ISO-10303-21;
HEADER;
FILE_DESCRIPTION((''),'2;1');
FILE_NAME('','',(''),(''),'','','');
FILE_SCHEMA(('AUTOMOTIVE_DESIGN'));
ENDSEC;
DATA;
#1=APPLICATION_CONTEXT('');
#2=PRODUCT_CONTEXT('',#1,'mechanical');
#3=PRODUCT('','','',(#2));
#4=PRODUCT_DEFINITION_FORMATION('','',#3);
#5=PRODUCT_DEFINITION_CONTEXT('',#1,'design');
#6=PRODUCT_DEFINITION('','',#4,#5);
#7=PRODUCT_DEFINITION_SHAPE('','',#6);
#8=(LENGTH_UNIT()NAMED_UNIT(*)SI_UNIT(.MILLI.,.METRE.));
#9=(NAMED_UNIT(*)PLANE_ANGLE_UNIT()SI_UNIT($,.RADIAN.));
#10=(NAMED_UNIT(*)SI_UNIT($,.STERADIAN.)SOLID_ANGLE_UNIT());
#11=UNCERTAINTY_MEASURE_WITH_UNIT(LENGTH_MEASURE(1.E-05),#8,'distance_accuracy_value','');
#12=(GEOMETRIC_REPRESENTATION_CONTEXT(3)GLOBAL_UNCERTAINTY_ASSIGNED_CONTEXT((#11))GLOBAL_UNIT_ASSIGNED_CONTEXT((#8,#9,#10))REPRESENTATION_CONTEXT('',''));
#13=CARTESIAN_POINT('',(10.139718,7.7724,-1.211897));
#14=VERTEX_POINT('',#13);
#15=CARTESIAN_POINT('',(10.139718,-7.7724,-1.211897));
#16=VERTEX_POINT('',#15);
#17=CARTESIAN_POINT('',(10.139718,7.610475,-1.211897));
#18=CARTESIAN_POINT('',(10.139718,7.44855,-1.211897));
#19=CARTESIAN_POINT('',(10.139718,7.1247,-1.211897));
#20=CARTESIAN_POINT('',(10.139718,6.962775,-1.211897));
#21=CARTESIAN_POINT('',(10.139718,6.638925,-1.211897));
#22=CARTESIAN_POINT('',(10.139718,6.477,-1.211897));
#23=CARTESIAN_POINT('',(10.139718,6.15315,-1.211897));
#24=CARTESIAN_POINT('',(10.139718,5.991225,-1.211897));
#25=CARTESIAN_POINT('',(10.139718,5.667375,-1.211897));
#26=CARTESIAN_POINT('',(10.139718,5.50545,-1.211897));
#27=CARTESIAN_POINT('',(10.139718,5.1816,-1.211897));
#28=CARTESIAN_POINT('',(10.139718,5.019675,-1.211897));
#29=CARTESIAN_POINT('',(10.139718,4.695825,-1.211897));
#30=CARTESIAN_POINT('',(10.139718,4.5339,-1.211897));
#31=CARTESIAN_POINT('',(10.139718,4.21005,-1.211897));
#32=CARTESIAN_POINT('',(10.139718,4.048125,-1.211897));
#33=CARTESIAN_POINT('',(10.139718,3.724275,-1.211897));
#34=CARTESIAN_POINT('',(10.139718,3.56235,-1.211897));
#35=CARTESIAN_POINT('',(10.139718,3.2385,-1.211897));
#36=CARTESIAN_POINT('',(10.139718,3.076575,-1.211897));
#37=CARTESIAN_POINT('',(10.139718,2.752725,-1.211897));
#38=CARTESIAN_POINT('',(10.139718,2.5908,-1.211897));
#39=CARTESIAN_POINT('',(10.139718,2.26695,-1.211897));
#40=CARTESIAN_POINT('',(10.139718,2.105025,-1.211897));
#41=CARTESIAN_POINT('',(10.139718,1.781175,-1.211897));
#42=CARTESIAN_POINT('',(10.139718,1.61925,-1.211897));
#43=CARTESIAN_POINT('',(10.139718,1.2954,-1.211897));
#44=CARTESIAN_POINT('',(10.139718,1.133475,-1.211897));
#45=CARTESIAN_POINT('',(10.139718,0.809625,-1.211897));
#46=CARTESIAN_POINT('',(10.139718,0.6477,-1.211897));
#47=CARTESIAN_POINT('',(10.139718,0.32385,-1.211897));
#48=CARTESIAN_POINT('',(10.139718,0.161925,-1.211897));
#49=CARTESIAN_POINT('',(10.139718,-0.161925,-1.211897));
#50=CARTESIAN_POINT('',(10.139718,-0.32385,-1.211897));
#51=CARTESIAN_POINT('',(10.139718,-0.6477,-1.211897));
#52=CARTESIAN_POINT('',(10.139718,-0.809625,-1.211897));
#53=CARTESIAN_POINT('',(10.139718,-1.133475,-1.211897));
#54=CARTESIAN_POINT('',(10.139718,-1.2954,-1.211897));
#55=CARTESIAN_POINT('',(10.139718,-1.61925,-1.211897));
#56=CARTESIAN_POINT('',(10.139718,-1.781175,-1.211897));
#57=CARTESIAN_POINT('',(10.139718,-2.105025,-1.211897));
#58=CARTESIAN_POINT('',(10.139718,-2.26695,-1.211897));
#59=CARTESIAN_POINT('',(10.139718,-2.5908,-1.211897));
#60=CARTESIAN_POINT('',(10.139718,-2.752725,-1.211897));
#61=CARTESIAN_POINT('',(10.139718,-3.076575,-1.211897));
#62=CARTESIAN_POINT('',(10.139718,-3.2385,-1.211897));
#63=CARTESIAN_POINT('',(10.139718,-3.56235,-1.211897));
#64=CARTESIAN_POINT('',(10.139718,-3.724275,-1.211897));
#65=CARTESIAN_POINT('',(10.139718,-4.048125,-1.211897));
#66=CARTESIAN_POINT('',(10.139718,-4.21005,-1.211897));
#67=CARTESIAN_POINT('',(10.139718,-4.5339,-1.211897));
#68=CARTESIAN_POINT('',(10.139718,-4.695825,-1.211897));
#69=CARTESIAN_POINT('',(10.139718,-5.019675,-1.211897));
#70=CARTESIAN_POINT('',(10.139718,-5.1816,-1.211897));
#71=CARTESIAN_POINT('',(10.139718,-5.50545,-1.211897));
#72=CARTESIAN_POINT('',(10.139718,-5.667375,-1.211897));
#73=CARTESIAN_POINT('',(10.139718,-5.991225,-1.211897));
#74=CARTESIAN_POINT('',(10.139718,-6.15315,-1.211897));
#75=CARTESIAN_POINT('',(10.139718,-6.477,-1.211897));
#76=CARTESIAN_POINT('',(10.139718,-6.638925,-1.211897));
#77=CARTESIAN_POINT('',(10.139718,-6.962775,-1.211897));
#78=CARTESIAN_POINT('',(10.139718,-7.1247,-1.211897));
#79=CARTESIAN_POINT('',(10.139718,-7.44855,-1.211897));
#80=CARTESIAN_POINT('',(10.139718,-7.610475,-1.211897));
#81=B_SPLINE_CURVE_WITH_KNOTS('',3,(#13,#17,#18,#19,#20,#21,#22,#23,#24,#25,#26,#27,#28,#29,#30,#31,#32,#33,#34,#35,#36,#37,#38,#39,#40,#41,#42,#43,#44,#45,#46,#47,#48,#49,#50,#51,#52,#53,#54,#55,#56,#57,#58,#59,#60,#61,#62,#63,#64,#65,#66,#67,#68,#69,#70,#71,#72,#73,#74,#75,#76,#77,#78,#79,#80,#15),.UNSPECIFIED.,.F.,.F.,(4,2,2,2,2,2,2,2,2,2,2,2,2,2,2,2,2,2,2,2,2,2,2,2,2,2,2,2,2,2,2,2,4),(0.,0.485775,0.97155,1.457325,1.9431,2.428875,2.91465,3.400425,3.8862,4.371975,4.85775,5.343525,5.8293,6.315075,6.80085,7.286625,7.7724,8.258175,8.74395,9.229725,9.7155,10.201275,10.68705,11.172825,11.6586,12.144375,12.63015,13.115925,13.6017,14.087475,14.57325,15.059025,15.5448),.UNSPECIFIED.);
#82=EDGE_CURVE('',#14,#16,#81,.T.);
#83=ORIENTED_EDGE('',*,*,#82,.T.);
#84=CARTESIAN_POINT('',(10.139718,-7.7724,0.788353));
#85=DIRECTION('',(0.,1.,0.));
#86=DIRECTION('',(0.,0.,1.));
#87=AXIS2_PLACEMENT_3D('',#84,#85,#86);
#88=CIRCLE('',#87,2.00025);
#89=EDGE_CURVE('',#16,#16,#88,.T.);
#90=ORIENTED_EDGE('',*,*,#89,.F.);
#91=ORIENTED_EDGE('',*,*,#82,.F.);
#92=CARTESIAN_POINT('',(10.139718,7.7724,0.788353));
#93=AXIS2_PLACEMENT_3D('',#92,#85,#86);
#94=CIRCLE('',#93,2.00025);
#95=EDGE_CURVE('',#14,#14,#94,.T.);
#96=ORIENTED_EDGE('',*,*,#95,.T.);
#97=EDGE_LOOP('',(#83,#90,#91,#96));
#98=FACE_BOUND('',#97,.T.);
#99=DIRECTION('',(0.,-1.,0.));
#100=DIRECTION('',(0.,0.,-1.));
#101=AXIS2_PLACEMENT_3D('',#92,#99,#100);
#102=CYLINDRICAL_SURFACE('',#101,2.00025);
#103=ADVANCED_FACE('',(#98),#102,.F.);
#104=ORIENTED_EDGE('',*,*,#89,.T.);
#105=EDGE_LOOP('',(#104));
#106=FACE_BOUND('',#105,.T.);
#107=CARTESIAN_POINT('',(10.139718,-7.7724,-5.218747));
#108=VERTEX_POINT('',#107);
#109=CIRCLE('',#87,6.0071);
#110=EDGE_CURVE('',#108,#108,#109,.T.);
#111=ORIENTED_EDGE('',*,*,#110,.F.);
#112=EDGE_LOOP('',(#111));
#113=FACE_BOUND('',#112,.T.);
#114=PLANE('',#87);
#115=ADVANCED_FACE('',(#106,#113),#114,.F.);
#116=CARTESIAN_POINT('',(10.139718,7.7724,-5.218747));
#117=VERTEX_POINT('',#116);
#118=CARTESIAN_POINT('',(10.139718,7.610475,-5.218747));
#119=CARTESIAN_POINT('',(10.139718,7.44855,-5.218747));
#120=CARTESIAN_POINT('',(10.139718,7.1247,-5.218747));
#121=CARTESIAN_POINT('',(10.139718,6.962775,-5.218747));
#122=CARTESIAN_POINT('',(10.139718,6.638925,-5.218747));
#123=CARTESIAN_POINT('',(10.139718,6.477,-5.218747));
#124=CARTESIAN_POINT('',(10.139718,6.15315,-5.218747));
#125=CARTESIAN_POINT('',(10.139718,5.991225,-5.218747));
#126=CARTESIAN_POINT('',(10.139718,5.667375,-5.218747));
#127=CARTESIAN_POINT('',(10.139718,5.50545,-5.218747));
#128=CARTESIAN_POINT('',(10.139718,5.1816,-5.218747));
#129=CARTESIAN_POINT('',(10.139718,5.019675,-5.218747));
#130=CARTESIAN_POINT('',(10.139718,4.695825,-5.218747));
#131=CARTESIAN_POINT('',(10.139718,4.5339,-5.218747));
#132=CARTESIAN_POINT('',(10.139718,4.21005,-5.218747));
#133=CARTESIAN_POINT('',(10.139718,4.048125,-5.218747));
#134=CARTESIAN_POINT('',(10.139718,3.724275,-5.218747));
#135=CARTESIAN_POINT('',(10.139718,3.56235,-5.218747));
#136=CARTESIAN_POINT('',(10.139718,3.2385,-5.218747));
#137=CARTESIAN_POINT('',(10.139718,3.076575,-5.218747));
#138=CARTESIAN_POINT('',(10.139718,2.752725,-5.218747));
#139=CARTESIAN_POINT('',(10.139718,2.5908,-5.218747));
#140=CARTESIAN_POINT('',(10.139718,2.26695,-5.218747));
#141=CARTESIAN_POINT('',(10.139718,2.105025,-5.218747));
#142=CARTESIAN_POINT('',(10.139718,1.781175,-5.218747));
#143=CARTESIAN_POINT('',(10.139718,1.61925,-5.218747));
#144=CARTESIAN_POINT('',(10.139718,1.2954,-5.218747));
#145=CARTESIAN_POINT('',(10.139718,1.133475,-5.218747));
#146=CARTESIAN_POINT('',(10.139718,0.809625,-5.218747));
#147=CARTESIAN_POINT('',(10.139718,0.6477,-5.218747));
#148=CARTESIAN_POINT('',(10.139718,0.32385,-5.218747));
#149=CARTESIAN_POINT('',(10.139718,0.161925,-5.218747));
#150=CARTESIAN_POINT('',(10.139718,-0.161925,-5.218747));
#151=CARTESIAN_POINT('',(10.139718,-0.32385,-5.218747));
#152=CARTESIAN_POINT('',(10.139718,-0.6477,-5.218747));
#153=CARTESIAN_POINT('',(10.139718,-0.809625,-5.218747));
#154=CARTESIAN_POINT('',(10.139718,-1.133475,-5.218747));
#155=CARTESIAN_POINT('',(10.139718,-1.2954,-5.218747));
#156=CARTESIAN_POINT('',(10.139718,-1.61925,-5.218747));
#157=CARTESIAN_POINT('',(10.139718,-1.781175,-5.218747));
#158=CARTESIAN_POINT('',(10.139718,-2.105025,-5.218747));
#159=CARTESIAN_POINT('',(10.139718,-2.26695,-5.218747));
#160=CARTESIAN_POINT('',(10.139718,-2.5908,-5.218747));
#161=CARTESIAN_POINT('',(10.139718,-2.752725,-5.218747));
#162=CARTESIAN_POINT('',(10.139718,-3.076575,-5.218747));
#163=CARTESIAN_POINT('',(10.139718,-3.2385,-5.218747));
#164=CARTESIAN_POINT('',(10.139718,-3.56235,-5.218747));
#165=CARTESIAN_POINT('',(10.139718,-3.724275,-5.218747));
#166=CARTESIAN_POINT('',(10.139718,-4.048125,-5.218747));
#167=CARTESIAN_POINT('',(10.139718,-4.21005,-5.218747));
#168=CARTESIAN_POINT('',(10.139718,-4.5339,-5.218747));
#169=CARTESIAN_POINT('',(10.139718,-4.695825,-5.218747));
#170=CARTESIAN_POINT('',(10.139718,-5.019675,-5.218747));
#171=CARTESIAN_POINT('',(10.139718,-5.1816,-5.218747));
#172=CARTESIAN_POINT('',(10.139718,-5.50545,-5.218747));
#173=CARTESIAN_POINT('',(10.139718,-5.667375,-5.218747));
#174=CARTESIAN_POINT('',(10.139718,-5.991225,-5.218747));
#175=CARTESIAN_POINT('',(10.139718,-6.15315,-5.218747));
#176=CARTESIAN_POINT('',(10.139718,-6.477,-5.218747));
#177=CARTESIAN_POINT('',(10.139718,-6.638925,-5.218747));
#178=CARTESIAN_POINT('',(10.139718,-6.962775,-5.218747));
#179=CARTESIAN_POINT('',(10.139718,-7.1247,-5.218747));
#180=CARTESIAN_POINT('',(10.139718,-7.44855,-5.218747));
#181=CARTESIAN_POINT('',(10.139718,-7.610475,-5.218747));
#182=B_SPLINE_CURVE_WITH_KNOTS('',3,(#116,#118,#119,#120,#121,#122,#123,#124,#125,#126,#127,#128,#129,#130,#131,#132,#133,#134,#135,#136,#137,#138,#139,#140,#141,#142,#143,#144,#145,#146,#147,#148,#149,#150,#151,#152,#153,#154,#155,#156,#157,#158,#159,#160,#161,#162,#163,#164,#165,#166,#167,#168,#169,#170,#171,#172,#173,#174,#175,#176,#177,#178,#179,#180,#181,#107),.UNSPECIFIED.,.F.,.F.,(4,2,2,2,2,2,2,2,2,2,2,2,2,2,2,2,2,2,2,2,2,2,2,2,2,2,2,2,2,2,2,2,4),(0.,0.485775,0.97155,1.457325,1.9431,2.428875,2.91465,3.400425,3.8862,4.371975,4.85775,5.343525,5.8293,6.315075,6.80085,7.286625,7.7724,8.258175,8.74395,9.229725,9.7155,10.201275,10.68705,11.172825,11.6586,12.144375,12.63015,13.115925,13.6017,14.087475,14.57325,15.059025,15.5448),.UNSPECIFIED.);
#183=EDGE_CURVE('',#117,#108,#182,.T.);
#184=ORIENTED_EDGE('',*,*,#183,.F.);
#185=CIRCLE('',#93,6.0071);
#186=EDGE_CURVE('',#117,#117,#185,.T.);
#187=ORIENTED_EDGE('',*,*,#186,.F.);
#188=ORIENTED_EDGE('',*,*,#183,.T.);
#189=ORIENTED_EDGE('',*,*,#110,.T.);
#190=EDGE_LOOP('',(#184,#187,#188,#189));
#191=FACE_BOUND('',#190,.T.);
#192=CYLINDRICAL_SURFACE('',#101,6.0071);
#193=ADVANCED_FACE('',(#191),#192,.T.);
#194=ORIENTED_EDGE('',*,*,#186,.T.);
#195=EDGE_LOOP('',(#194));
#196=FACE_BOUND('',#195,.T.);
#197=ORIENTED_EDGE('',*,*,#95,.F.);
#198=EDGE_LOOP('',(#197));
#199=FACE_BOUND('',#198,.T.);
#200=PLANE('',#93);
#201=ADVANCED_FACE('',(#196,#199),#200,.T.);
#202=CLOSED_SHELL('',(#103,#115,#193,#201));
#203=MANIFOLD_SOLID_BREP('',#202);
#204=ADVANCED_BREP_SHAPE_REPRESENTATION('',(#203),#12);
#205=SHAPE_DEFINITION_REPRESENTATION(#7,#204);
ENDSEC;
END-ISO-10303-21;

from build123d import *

# Parameters (mm, degrees)
SKETCH2_R           = 6.0071
SKETCH2_R_2         = 2.00025
BOSS_EXTRUDE1_DEPTH = 7.7724


with BuildPart() as part:
    # Sketch2 → Boss-Extrude1 (new, symmetric)
    with BuildSketch(Plane(origin=(0, 0, 0), x_dir=(1, 0, 0), z_dir=(0, 1, 0))):
        with Locations(Location((10.139718263, -0.788352622, 0), (0, 0, 90))):
            Circle(SKETCH2_R)
        with Locations(Location((10.139718263, -0.788352622, 0), (0, 0, 90))):
            Circle(SKETCH2_R_2, mode=Mode.SUBTRACT)
    extrude(amount=BOSS_EXTRUDE1_DEPTH, both=True)


solid = part.part
